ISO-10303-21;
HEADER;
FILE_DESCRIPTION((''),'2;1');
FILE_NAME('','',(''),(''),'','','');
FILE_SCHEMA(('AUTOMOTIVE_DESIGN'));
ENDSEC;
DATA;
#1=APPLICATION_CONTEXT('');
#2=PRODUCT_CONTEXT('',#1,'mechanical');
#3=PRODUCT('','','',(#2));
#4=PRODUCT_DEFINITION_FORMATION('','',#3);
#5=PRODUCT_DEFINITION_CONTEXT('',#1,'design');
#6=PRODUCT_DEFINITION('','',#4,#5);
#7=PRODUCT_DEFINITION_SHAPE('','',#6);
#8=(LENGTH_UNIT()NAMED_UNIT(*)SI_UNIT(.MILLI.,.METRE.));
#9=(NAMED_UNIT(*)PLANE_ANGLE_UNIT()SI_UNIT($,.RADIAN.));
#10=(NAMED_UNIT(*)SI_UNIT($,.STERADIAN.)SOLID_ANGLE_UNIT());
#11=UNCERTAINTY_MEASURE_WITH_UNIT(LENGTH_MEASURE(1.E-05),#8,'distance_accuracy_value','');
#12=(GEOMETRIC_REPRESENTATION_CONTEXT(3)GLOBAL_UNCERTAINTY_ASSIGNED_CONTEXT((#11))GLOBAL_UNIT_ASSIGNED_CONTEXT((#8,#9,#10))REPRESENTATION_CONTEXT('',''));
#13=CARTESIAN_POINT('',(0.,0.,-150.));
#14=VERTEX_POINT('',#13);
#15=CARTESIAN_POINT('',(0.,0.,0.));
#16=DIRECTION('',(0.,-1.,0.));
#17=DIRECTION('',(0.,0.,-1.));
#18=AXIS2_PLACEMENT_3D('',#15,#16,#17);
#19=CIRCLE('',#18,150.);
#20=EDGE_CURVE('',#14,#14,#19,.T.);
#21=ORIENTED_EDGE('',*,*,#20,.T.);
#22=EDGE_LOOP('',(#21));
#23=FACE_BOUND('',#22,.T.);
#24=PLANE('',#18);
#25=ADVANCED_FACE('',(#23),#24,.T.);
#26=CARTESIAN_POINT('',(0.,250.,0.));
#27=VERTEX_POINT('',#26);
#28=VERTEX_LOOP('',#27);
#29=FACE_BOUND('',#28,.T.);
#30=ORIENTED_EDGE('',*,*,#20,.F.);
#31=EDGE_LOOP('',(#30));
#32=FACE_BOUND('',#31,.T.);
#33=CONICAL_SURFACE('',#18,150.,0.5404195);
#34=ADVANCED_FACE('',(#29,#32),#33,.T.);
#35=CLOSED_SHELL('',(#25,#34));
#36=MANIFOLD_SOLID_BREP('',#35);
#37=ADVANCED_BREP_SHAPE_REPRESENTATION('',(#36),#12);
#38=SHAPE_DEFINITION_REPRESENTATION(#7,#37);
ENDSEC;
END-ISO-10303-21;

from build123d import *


with BuildPart() as part:
    # 草图1 → 旋转1 (revolve)
    with BuildSketch(Plane.XY, mode=Mode.PRIVATE) as revolve_1_sk:
        Polygon((0, 0), (150, 0), (0, 250), align=None)
    revolve(revolve_1_sk.sketch.rotate(Axis((0, -100, 0), (0, 1, 0)), 90), axis=Axis((0, -100, 0), (0, 1, 0)))


solid = part.part
